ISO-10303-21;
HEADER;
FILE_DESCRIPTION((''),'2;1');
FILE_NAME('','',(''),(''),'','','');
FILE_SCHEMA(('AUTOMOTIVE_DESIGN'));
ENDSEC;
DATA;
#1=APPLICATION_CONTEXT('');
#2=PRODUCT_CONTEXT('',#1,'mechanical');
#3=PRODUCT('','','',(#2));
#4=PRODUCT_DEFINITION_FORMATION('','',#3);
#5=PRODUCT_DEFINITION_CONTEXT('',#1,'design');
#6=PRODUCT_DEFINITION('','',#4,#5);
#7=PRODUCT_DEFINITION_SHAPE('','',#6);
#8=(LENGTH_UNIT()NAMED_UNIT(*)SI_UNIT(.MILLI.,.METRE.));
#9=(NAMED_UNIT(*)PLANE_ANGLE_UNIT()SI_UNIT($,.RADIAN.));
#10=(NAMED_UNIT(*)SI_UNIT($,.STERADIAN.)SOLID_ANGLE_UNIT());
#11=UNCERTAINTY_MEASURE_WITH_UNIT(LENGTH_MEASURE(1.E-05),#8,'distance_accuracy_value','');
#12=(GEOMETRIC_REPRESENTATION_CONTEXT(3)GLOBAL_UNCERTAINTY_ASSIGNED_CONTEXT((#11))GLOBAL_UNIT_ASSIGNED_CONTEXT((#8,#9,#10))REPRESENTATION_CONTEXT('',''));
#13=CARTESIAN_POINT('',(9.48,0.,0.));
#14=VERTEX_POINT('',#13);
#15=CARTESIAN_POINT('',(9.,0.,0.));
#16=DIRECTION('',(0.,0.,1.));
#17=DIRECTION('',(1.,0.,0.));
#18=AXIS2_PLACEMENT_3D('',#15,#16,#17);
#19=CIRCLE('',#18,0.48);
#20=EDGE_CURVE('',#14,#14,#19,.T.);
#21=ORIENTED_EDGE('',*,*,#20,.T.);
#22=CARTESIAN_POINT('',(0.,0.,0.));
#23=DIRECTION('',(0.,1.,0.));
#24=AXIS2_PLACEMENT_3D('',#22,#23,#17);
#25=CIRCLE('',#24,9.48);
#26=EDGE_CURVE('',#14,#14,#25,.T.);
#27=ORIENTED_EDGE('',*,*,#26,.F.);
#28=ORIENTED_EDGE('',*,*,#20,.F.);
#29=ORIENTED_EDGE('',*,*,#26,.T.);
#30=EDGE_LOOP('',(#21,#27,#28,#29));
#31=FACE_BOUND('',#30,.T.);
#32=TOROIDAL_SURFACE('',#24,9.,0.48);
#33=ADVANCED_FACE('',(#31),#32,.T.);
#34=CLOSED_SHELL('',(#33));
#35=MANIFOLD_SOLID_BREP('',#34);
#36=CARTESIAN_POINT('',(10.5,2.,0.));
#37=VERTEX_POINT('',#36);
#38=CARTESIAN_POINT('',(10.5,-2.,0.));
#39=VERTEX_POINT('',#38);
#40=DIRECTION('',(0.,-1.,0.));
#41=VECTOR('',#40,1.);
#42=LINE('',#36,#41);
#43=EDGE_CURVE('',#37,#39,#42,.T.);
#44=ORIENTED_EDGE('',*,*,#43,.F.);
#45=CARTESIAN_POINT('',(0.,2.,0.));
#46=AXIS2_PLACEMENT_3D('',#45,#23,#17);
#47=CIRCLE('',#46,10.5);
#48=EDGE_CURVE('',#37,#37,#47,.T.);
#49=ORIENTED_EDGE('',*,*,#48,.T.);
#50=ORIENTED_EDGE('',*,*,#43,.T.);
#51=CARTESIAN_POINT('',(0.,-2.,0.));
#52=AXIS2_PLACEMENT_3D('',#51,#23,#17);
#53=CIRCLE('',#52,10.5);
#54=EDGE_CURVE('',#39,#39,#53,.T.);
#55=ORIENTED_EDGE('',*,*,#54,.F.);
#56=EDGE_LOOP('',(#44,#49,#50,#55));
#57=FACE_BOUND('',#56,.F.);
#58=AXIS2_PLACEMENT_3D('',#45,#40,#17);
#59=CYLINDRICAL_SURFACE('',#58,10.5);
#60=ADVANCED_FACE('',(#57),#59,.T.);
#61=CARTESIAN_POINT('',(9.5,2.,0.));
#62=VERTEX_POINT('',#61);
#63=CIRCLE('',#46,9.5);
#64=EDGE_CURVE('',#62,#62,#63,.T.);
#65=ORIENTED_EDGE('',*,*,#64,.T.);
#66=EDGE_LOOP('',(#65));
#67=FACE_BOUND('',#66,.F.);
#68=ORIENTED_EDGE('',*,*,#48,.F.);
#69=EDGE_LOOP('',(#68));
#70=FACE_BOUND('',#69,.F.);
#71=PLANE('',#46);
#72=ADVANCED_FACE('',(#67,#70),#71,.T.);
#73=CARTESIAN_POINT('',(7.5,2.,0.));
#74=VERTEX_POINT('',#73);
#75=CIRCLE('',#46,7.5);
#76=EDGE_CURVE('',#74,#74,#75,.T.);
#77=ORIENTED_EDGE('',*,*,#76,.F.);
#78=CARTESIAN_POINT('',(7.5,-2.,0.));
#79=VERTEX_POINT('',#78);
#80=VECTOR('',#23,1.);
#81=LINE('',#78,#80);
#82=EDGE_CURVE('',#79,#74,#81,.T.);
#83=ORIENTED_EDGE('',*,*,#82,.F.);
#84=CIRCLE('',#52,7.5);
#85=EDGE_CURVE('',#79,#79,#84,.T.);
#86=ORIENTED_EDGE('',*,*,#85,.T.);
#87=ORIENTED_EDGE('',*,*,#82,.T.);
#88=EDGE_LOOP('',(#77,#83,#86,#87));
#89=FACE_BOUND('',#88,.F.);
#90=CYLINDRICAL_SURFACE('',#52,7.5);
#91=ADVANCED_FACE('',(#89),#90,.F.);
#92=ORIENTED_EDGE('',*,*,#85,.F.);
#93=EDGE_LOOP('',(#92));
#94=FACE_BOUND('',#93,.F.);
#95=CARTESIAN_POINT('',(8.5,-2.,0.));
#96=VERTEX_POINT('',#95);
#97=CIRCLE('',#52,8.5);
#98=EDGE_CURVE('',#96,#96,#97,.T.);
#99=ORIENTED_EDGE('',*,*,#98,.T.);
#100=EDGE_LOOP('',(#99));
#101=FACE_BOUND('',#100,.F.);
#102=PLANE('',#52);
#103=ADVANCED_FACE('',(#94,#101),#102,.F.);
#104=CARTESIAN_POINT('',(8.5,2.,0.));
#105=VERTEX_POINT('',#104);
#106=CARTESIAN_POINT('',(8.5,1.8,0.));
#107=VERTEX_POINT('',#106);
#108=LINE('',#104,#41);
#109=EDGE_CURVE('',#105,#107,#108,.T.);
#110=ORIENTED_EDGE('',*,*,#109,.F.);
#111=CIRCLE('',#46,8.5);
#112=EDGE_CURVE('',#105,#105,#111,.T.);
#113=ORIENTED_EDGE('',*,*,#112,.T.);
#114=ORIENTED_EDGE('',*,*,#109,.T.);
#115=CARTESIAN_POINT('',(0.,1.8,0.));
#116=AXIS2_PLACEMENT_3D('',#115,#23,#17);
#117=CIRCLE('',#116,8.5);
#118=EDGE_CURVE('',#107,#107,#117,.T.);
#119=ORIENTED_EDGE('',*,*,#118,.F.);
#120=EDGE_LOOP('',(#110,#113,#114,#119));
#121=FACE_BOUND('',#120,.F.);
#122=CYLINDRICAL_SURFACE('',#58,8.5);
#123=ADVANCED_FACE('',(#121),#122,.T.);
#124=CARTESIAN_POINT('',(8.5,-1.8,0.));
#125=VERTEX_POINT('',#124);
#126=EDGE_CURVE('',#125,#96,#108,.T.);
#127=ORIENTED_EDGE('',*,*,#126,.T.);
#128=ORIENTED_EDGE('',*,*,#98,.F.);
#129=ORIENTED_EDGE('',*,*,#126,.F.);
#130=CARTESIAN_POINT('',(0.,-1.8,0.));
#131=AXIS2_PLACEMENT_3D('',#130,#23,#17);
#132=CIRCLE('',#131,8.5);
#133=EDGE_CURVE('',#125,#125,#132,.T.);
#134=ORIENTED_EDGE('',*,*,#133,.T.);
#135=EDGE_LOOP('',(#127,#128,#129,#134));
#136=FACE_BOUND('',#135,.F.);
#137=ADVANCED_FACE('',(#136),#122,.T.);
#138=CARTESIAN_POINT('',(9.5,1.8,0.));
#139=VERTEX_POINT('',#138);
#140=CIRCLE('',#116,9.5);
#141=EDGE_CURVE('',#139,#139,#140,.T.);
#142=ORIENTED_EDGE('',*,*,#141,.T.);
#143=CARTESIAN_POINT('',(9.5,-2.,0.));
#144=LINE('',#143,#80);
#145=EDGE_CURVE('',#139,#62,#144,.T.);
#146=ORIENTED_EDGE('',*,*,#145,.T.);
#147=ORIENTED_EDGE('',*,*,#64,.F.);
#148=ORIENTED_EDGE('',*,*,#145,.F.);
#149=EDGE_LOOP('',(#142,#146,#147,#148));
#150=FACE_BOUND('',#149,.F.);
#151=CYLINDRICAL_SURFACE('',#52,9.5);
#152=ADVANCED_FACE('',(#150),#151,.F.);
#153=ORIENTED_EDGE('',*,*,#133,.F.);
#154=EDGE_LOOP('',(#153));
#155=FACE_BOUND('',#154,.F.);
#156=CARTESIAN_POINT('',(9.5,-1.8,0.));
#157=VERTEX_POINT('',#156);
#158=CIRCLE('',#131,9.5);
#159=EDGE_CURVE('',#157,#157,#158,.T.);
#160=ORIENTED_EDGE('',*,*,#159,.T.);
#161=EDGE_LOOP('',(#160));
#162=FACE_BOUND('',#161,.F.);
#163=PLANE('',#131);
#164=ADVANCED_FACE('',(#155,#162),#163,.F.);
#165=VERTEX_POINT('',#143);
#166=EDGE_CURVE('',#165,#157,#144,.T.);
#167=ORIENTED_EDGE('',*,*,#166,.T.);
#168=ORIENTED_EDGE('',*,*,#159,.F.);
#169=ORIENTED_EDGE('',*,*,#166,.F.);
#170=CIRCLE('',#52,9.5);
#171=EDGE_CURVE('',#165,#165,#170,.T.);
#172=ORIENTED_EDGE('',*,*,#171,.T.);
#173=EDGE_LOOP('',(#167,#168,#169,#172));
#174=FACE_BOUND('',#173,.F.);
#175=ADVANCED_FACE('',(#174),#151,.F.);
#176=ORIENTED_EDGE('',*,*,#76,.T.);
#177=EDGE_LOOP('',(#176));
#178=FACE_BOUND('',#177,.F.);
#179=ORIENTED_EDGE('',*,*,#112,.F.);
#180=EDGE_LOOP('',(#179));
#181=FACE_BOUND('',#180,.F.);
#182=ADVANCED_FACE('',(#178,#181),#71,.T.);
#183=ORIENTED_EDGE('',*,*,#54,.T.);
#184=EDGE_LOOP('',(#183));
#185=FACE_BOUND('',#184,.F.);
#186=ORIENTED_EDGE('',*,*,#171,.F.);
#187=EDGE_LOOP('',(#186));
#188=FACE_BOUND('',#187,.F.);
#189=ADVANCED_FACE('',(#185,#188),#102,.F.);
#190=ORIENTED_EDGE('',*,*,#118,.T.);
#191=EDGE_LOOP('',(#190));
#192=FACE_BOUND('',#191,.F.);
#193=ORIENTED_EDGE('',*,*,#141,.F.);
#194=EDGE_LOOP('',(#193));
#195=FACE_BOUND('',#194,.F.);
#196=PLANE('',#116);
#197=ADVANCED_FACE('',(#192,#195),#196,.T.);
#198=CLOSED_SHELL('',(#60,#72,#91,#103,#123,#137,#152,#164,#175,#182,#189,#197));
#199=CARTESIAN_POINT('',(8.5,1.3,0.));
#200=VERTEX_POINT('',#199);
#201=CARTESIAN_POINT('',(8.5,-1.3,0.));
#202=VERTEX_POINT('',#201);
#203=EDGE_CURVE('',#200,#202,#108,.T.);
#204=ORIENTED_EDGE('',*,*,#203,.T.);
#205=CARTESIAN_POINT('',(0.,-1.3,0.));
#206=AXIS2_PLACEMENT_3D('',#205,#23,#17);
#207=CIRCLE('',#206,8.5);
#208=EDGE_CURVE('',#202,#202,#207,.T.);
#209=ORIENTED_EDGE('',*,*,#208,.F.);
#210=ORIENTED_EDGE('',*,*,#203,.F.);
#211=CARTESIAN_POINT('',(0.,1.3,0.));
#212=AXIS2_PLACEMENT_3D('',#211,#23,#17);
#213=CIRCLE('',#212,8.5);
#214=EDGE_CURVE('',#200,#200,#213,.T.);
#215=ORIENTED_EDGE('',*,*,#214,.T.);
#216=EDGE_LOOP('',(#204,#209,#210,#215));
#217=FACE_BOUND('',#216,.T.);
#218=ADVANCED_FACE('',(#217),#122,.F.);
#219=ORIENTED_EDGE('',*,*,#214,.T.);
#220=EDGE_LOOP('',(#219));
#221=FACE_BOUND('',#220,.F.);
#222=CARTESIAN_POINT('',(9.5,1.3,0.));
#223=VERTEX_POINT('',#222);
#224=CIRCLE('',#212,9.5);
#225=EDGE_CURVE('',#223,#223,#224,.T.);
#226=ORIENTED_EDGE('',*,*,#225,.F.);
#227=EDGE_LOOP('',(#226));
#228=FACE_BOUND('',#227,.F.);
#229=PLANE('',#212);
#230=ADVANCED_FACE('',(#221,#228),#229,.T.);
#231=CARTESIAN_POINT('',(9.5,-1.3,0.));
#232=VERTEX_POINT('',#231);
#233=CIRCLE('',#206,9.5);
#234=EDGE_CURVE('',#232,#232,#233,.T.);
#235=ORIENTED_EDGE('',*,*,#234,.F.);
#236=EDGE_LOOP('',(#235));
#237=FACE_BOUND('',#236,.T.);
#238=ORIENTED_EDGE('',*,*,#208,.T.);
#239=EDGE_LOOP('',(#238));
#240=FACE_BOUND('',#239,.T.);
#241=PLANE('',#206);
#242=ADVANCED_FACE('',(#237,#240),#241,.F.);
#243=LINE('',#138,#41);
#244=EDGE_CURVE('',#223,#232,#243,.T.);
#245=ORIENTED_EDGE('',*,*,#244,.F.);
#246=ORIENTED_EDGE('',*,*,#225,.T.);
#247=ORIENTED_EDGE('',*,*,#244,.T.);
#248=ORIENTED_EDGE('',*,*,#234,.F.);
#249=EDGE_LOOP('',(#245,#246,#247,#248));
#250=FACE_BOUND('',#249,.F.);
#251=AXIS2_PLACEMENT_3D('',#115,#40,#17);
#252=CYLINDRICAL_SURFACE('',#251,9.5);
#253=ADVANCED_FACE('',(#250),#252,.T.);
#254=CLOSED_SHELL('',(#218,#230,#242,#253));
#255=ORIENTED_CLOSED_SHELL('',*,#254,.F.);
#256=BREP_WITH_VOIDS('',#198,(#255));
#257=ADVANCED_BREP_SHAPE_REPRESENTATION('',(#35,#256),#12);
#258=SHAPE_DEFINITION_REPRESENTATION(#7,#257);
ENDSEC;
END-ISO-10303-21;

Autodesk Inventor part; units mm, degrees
ref_plane "YZ Plane" through (0, 0, 0) normal (1, 0, 0) x (0, 1, 0)
ref_plane "XZ Plane" through (0, 0, 0) normal (0, 1, 0) x (-1, 0, 0)
ref_plane "XY Plane" through (0, 0, 0) normal (0, 0, 1) x (1, 0, 0)
sketch "Sketch1" plane through (0, 0, 0) normal (0, 0, 1) x (1, 0, 0)
  line L0 (0, 0) -> (0, 10) construction
  line L1 (0, 0) -> (10, 0) construction
  line L2 (7.5, 2) -> (8.5, 2)
  line L3 (8.5, 2) -> (8.5, -2)
  line L4 (8.5, -2) -> (7.5, -2)
  line L5 (7.5, -2) -> (7.5, 2)
  line L6 (8.5, 1.8) -> (9.5, 1.8)
  line L7 (9.5, 1.8) -> (9.5, -1.8)
  line L8 (9.5, -1.8) -> (8.5, -1.8)
  line L9 (8.5, -1.8) -> (8.5, 1.8)
  line L10 (9.5, 2) -> (10.5, 2)
  line L11 (10.5, 2) -> (10.5, -2)
  line L12 (10.5, -2) -> (9.5, -2)
  line L13 (9.5, -2) -> (9.5, 2)
  line L14 (8.5, 1.3) -> (9.5, 1.3)
  line L15 (8.5, -1.3) -> (9.5, -1.3)
  line L16 (8.52, 4.2678) -> (8.52, -4.334) construction
  line L17 (9.48, 3.8746) -> (9.48, -4.06) construction
  circle A0 centre (9, 0) radius 0.48
  point P0 (8.5, 1.3)
  dimension "d0" = 10
  dimension "d1" = 90
  dimension "d2" = 1
  dimension "d3" = 4
  dimension "d5" = 3.6
  dimension "d6" = 0.2
  dimension "d7" = 2
  dimension "d8" = 1
  dimension "d9" = 4
  dimension "d10" = 7.5
  dimension "d11" = 2
  dimension "d13" = 10.5
  dimension "d14" = 0.5
  dimension "d15" = 0.5
  dimension "d16" = 0.02
  dimension "d17" = 0.02
revolve "Revolution1" add sketch "Sketch1" angle 360 about axis through (0, 0, 0) along (0, 1, 0) contours L2 L3 L4 L5 | L6 L7 L14 L3 | L13 L10 L11 L12 L7 | L3 L15 L7 L8 | A0
equation "\"d5\" = d9 - 2 * d6"
equation "\"d7\" = 0.5 * d3"
equation "\"d8\" = d2"
equation "\"d9\" = d3"
equation "\"d11\" = d7"
equation "\"d17\" = d16"
properties part number "6702ZZ-bearing-15x21x4"
